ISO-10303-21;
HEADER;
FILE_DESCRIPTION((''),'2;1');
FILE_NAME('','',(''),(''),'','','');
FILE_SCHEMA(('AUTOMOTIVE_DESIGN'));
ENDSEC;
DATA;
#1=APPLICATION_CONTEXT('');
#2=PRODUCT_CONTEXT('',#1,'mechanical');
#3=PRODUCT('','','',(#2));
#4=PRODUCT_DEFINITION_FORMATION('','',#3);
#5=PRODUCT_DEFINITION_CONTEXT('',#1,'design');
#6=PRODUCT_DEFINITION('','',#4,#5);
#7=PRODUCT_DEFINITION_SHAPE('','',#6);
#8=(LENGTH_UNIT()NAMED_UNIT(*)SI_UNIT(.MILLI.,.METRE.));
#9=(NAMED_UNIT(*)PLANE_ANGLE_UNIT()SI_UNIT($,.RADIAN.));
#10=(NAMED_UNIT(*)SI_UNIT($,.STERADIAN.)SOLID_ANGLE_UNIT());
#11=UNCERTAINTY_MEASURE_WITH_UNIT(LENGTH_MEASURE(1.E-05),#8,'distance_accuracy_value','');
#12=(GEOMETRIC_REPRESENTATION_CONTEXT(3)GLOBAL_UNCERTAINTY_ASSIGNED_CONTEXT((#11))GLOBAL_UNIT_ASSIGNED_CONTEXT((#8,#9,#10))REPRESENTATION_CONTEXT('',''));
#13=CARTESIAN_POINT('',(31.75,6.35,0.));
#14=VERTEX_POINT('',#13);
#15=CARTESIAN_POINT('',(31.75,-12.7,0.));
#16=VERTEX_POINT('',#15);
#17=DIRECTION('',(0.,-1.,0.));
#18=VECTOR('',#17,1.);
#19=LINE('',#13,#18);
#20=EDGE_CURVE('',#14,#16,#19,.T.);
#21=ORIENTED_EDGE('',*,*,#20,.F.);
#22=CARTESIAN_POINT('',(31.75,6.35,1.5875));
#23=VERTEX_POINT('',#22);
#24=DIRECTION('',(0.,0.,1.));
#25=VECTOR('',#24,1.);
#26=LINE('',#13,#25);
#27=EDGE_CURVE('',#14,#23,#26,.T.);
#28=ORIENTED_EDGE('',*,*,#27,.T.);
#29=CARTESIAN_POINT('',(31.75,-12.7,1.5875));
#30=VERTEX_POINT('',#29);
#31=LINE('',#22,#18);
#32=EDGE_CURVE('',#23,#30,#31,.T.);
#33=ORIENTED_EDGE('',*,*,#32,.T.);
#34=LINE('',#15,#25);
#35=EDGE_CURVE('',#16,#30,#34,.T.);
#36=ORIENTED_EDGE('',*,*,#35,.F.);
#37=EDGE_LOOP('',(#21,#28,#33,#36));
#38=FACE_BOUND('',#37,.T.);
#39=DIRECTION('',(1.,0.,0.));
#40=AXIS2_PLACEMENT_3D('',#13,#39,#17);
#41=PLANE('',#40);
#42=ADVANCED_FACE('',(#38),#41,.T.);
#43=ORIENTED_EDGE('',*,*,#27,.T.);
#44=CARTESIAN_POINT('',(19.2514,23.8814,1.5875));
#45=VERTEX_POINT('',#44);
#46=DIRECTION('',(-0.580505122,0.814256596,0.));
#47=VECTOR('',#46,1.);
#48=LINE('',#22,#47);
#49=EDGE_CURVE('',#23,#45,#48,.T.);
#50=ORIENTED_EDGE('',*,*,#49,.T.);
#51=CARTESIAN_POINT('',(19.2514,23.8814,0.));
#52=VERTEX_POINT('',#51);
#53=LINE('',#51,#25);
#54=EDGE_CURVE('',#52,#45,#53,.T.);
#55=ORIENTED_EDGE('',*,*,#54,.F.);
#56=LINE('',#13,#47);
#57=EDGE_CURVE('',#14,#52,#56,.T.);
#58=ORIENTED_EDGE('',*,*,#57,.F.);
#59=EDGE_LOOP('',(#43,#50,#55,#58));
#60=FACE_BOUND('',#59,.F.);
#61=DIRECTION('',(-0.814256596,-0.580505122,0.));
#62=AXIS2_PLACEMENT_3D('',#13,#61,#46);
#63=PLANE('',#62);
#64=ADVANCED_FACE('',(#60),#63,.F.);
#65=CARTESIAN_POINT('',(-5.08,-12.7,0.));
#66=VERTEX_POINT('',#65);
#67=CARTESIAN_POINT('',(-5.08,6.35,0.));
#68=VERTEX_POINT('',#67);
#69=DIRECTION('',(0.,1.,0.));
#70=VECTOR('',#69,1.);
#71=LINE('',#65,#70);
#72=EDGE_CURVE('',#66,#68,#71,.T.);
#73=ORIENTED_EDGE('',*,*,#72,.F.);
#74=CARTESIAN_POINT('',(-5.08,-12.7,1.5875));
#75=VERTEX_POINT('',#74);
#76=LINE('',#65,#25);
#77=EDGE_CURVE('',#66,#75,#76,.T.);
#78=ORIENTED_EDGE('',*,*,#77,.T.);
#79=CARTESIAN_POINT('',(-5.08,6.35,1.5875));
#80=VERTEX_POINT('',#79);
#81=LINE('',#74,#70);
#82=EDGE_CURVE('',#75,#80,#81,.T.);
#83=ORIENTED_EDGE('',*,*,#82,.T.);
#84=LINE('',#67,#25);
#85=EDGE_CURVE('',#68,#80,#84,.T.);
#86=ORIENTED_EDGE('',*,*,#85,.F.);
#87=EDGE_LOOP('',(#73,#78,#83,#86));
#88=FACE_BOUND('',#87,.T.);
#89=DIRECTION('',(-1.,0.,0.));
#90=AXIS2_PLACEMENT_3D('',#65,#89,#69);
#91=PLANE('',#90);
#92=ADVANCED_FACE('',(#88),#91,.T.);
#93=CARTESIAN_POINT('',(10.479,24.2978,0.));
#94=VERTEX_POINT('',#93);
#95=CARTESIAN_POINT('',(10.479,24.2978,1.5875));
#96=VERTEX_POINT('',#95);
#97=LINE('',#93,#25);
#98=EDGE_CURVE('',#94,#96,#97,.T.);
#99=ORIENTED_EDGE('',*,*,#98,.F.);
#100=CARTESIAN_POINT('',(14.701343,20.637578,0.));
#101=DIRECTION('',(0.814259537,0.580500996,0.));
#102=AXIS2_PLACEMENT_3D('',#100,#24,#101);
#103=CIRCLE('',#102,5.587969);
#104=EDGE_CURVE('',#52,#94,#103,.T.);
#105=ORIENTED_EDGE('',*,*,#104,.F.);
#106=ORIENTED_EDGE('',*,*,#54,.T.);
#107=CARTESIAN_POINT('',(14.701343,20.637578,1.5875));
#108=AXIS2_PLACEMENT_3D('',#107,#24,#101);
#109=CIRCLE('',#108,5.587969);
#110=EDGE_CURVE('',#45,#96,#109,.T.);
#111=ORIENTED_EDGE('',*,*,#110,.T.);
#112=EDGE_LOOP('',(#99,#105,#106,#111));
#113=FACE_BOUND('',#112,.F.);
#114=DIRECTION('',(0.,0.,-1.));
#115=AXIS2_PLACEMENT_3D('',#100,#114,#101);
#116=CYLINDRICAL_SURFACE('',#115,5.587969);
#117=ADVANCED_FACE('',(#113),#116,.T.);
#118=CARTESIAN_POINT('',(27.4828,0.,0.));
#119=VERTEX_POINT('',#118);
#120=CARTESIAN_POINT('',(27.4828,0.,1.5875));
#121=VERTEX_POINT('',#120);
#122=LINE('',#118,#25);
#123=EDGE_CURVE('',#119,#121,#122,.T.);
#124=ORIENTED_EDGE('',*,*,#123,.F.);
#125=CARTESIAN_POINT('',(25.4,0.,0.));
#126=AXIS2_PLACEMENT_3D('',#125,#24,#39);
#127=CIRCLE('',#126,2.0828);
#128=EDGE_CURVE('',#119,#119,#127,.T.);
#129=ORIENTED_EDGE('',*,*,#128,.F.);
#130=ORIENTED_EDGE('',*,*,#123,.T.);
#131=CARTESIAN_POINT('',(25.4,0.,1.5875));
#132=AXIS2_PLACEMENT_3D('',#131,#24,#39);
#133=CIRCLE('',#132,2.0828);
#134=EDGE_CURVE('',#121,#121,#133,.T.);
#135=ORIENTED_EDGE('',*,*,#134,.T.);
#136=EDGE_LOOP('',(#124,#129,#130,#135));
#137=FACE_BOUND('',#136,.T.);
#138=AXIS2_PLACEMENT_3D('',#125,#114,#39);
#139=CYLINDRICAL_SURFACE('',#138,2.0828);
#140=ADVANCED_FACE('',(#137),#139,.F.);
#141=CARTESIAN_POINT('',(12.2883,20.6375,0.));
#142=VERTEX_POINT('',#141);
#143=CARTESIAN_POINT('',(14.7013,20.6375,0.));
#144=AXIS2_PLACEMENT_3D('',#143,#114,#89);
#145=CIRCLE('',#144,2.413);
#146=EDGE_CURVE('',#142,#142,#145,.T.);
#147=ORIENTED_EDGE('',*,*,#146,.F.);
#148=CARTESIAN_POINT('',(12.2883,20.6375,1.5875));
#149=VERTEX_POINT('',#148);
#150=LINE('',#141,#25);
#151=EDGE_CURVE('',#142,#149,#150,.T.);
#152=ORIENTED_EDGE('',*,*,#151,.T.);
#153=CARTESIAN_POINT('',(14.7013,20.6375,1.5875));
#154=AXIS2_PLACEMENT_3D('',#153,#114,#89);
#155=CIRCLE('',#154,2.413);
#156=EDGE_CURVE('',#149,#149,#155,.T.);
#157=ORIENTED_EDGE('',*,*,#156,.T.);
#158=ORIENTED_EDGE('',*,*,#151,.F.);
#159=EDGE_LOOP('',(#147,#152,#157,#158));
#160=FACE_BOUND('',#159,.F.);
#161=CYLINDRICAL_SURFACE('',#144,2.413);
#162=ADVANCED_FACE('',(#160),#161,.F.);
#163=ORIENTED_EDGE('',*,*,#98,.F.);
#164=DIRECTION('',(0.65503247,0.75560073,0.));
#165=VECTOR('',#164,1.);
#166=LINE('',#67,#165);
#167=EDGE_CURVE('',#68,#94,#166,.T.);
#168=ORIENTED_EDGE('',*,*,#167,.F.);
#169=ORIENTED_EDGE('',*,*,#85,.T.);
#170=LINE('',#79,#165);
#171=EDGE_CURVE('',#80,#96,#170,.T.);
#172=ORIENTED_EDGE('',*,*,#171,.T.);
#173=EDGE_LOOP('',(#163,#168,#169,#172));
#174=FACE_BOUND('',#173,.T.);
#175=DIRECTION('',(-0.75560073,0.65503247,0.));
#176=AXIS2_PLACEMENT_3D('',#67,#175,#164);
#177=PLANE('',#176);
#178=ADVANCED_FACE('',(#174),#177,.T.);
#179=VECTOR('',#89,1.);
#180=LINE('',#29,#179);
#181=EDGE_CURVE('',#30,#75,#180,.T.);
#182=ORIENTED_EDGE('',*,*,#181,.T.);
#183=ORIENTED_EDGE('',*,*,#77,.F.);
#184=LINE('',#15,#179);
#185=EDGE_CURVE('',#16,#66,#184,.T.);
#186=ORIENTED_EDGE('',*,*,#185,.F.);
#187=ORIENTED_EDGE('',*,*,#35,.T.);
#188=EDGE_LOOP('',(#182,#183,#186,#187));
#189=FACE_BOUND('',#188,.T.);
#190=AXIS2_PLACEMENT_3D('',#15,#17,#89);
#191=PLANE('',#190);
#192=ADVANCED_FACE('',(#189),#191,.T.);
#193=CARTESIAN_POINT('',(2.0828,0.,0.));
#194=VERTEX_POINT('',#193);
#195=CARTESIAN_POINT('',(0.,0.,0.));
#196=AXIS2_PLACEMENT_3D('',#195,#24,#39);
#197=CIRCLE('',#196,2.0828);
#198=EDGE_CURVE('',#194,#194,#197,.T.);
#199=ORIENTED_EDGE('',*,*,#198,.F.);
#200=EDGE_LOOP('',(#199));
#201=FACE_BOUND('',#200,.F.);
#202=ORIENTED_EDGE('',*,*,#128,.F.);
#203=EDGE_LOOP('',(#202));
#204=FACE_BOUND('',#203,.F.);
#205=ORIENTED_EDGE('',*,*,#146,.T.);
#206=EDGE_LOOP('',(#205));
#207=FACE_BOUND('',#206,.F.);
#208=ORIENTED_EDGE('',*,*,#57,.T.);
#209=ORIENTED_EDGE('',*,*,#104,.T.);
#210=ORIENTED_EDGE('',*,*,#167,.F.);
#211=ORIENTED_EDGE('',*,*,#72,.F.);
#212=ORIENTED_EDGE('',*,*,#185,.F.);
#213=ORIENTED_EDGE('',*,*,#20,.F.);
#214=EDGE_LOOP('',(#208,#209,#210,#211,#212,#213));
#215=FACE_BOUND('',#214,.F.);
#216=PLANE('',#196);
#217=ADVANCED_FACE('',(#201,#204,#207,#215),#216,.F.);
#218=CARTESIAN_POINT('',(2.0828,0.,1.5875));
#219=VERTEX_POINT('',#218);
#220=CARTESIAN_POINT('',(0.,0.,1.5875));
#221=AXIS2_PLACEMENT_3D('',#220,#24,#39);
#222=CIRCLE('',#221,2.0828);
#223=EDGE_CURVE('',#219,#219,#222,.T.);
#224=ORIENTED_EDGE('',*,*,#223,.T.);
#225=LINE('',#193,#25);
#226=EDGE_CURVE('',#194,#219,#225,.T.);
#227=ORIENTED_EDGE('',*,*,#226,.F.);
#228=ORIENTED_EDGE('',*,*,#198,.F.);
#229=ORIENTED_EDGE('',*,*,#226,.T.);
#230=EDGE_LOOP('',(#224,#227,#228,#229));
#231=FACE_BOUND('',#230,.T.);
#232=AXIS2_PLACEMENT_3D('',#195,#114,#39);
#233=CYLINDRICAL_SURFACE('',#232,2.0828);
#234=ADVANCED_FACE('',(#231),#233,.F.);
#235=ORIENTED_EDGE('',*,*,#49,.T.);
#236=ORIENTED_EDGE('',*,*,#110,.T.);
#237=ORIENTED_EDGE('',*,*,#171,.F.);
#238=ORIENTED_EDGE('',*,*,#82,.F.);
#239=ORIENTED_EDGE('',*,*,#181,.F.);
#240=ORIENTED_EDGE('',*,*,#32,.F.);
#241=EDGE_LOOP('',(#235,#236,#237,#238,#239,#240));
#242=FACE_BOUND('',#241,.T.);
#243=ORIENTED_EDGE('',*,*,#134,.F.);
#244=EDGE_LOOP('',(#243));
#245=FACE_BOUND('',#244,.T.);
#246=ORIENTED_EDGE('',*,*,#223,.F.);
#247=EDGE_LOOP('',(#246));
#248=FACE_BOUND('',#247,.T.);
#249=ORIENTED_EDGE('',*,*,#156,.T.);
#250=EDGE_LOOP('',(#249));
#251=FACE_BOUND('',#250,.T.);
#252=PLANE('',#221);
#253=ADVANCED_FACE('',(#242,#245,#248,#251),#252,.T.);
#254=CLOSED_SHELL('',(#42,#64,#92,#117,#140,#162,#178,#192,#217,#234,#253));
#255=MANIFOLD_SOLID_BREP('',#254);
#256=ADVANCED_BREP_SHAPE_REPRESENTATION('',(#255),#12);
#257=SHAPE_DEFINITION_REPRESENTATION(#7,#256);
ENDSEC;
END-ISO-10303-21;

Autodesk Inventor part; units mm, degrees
ref_plane "YZ Plane" through (0, 0, 0) normal (1, 0, 0) x (0, 1, 0)
ref_plane "XZ Plane" through (0, 0, 0) normal (0, 1, 0) x (-1, 0, 0)
ref_plane "XY Plane" through (0, 0, 0) normal (0, 0, 1) x (1, 0, 0)
sketch "Sketch1" plane through (0, 0, 0) normal (0, 0, 1) x (1, 0, 0)
  circle A0 centre (0, 0) radius 2.0828
  circle A1 centre (25.4, 0) radius 2.0828
  line L0 (25.4, 0) -> (0, 0) construction
  line L1 (-5.08, 6.35) -> (31.75, 6.35) construction
  line L2 (31.75, 6.35) -> (31.75, -12.7)
  line L3 (31.75, -12.7) -> (-5.08, -12.7)
  line L4 (-5.08, -12.7) -> (-5.08, 6.35)
  circle A2 centre (14.7013, 20.6375) radius 2.413 projected
  arc A3 (19.2514, 23.8814) -> (10.479, 24.2978) centre (14.7013, 20.6375) ccw
  line L5 (-5.08, 6.35) -> (10.479, 24.2978)
  line L6 (31.75, 6.35) -> (19.2514, 23.8814)
  dimension "d0" = 4.1656
  dimension "d1" = 4.1656
  dimension "d5" = 12.7
  dimension "d6" = 6.35
  dimension "d7" = 5.08
  dimension "d8" = 11.176
  dimension "d9" = 6.35
  dimension "d10" = 25.4
extrude "Extrusion1" add sketch "Sketch1" along normal blind 1.5875 contours L2 L3 L4 L5 A3 L6 | A2
sketch "Sketch2" plane through (0, 0, 0) normal (0, 0, -1) x (-1, 0, 0)
  arc A0 (-10.479, 24.2978) -> (-19.2514, 23.8814) centre (-14.7013, 20.6375) ccw projected
  circle A1 centre (-14.7013, 20.6375) radius 2.413
  dimension "d11" = 4.826
extrude "Extrusion2" cut sketch "Sketch2" against normal blind 25.4
properties part number "Bracket"
